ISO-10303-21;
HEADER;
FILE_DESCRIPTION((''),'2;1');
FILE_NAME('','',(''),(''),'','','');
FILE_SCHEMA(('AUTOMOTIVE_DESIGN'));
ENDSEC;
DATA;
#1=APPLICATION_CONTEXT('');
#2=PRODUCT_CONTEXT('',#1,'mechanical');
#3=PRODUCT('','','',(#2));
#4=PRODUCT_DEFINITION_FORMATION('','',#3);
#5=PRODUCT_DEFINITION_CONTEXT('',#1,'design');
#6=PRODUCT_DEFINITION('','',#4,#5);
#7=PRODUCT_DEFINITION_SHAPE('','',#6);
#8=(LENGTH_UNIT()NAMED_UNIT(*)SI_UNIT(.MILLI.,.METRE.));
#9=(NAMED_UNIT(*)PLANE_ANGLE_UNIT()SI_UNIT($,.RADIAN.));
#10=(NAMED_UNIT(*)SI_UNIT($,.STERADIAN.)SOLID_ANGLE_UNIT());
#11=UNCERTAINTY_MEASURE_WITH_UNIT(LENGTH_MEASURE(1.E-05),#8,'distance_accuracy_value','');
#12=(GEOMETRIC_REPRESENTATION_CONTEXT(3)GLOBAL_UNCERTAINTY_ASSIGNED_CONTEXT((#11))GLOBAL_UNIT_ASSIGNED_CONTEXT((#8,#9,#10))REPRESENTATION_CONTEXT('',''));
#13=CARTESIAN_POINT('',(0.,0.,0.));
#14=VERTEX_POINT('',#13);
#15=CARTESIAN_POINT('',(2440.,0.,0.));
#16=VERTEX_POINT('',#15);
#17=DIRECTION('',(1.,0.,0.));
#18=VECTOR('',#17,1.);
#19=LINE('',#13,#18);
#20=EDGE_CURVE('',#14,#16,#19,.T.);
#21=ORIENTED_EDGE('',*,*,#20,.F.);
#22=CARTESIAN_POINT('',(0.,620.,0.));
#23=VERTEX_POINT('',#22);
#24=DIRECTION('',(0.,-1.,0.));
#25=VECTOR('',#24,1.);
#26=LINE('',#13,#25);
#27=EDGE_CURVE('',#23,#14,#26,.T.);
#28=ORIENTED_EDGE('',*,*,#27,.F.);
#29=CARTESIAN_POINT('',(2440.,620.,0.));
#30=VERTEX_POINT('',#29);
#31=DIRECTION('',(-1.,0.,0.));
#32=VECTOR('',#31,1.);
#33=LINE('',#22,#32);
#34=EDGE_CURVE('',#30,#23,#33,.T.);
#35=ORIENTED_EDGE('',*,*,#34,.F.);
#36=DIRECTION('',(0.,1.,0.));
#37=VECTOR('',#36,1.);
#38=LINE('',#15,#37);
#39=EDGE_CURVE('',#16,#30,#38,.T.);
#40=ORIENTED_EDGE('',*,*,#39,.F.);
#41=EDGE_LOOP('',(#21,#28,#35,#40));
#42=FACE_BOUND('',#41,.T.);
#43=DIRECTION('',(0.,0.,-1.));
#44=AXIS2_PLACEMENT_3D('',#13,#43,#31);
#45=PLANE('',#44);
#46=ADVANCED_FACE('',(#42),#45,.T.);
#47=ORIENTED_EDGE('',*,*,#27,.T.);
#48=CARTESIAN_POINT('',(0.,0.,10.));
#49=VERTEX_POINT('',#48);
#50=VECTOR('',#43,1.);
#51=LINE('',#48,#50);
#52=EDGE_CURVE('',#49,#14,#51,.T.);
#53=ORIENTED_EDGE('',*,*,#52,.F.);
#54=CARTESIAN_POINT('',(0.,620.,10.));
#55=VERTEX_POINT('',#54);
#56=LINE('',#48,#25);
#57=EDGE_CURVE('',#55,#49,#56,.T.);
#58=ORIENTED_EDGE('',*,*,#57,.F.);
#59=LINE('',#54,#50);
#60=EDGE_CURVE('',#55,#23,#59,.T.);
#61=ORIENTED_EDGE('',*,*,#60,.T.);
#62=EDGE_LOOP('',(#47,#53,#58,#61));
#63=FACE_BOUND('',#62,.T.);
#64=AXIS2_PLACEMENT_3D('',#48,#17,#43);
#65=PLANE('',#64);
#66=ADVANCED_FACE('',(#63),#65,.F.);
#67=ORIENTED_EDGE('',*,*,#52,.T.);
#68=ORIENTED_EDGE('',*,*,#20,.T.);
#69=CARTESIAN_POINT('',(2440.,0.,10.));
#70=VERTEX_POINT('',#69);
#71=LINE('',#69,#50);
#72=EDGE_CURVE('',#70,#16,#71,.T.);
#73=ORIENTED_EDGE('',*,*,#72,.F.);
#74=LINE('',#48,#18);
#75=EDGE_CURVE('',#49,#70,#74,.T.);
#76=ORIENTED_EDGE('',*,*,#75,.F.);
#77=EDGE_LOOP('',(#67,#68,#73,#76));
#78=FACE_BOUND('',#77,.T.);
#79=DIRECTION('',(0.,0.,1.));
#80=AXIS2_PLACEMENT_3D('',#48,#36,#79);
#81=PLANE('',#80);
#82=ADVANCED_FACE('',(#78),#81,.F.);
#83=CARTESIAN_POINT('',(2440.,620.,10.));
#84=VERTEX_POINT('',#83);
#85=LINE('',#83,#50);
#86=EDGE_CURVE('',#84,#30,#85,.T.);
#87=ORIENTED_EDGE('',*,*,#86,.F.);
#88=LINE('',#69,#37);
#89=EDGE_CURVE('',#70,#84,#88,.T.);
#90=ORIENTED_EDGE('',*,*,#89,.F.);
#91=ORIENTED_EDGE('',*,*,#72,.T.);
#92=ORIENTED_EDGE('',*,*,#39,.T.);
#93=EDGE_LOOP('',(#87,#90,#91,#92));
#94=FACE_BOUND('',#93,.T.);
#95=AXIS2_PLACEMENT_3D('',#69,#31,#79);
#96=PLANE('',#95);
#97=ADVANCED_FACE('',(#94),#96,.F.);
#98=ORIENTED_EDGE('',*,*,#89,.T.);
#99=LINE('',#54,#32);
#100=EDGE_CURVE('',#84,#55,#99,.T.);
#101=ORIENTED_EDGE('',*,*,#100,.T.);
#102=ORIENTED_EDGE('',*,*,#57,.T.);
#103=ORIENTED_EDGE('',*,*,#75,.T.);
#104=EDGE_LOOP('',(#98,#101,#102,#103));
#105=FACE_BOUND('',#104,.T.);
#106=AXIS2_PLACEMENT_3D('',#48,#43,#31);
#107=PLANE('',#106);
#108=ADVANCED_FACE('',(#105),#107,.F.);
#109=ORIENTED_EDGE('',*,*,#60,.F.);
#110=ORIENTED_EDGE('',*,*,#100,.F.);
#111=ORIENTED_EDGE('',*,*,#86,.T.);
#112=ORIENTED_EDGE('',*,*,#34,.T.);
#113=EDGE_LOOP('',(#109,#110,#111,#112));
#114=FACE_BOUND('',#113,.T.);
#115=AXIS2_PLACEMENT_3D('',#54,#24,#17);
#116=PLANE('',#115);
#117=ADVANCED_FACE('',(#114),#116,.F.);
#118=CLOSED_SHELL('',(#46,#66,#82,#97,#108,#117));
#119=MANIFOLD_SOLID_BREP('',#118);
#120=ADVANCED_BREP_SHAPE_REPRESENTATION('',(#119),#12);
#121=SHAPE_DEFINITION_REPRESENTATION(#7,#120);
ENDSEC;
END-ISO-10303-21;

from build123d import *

# Parameters (mm, degrees)
SKETCH_1_W      = 2440
SKETCH_1_H      = 620
EXTRUDE_1_DEPTH = 10


with BuildPart() as part:
    # Эскиз1 → Бобышка-Вытянуть1 (new body)
    with BuildSketch(Plane.XY):
        with Locations((1220, 310)):
            Rectangle(SKETCH_1_W, SKETCH_1_H)
    extrude(amount=EXTRUDE_1_DEPTH)


solid = part.part
